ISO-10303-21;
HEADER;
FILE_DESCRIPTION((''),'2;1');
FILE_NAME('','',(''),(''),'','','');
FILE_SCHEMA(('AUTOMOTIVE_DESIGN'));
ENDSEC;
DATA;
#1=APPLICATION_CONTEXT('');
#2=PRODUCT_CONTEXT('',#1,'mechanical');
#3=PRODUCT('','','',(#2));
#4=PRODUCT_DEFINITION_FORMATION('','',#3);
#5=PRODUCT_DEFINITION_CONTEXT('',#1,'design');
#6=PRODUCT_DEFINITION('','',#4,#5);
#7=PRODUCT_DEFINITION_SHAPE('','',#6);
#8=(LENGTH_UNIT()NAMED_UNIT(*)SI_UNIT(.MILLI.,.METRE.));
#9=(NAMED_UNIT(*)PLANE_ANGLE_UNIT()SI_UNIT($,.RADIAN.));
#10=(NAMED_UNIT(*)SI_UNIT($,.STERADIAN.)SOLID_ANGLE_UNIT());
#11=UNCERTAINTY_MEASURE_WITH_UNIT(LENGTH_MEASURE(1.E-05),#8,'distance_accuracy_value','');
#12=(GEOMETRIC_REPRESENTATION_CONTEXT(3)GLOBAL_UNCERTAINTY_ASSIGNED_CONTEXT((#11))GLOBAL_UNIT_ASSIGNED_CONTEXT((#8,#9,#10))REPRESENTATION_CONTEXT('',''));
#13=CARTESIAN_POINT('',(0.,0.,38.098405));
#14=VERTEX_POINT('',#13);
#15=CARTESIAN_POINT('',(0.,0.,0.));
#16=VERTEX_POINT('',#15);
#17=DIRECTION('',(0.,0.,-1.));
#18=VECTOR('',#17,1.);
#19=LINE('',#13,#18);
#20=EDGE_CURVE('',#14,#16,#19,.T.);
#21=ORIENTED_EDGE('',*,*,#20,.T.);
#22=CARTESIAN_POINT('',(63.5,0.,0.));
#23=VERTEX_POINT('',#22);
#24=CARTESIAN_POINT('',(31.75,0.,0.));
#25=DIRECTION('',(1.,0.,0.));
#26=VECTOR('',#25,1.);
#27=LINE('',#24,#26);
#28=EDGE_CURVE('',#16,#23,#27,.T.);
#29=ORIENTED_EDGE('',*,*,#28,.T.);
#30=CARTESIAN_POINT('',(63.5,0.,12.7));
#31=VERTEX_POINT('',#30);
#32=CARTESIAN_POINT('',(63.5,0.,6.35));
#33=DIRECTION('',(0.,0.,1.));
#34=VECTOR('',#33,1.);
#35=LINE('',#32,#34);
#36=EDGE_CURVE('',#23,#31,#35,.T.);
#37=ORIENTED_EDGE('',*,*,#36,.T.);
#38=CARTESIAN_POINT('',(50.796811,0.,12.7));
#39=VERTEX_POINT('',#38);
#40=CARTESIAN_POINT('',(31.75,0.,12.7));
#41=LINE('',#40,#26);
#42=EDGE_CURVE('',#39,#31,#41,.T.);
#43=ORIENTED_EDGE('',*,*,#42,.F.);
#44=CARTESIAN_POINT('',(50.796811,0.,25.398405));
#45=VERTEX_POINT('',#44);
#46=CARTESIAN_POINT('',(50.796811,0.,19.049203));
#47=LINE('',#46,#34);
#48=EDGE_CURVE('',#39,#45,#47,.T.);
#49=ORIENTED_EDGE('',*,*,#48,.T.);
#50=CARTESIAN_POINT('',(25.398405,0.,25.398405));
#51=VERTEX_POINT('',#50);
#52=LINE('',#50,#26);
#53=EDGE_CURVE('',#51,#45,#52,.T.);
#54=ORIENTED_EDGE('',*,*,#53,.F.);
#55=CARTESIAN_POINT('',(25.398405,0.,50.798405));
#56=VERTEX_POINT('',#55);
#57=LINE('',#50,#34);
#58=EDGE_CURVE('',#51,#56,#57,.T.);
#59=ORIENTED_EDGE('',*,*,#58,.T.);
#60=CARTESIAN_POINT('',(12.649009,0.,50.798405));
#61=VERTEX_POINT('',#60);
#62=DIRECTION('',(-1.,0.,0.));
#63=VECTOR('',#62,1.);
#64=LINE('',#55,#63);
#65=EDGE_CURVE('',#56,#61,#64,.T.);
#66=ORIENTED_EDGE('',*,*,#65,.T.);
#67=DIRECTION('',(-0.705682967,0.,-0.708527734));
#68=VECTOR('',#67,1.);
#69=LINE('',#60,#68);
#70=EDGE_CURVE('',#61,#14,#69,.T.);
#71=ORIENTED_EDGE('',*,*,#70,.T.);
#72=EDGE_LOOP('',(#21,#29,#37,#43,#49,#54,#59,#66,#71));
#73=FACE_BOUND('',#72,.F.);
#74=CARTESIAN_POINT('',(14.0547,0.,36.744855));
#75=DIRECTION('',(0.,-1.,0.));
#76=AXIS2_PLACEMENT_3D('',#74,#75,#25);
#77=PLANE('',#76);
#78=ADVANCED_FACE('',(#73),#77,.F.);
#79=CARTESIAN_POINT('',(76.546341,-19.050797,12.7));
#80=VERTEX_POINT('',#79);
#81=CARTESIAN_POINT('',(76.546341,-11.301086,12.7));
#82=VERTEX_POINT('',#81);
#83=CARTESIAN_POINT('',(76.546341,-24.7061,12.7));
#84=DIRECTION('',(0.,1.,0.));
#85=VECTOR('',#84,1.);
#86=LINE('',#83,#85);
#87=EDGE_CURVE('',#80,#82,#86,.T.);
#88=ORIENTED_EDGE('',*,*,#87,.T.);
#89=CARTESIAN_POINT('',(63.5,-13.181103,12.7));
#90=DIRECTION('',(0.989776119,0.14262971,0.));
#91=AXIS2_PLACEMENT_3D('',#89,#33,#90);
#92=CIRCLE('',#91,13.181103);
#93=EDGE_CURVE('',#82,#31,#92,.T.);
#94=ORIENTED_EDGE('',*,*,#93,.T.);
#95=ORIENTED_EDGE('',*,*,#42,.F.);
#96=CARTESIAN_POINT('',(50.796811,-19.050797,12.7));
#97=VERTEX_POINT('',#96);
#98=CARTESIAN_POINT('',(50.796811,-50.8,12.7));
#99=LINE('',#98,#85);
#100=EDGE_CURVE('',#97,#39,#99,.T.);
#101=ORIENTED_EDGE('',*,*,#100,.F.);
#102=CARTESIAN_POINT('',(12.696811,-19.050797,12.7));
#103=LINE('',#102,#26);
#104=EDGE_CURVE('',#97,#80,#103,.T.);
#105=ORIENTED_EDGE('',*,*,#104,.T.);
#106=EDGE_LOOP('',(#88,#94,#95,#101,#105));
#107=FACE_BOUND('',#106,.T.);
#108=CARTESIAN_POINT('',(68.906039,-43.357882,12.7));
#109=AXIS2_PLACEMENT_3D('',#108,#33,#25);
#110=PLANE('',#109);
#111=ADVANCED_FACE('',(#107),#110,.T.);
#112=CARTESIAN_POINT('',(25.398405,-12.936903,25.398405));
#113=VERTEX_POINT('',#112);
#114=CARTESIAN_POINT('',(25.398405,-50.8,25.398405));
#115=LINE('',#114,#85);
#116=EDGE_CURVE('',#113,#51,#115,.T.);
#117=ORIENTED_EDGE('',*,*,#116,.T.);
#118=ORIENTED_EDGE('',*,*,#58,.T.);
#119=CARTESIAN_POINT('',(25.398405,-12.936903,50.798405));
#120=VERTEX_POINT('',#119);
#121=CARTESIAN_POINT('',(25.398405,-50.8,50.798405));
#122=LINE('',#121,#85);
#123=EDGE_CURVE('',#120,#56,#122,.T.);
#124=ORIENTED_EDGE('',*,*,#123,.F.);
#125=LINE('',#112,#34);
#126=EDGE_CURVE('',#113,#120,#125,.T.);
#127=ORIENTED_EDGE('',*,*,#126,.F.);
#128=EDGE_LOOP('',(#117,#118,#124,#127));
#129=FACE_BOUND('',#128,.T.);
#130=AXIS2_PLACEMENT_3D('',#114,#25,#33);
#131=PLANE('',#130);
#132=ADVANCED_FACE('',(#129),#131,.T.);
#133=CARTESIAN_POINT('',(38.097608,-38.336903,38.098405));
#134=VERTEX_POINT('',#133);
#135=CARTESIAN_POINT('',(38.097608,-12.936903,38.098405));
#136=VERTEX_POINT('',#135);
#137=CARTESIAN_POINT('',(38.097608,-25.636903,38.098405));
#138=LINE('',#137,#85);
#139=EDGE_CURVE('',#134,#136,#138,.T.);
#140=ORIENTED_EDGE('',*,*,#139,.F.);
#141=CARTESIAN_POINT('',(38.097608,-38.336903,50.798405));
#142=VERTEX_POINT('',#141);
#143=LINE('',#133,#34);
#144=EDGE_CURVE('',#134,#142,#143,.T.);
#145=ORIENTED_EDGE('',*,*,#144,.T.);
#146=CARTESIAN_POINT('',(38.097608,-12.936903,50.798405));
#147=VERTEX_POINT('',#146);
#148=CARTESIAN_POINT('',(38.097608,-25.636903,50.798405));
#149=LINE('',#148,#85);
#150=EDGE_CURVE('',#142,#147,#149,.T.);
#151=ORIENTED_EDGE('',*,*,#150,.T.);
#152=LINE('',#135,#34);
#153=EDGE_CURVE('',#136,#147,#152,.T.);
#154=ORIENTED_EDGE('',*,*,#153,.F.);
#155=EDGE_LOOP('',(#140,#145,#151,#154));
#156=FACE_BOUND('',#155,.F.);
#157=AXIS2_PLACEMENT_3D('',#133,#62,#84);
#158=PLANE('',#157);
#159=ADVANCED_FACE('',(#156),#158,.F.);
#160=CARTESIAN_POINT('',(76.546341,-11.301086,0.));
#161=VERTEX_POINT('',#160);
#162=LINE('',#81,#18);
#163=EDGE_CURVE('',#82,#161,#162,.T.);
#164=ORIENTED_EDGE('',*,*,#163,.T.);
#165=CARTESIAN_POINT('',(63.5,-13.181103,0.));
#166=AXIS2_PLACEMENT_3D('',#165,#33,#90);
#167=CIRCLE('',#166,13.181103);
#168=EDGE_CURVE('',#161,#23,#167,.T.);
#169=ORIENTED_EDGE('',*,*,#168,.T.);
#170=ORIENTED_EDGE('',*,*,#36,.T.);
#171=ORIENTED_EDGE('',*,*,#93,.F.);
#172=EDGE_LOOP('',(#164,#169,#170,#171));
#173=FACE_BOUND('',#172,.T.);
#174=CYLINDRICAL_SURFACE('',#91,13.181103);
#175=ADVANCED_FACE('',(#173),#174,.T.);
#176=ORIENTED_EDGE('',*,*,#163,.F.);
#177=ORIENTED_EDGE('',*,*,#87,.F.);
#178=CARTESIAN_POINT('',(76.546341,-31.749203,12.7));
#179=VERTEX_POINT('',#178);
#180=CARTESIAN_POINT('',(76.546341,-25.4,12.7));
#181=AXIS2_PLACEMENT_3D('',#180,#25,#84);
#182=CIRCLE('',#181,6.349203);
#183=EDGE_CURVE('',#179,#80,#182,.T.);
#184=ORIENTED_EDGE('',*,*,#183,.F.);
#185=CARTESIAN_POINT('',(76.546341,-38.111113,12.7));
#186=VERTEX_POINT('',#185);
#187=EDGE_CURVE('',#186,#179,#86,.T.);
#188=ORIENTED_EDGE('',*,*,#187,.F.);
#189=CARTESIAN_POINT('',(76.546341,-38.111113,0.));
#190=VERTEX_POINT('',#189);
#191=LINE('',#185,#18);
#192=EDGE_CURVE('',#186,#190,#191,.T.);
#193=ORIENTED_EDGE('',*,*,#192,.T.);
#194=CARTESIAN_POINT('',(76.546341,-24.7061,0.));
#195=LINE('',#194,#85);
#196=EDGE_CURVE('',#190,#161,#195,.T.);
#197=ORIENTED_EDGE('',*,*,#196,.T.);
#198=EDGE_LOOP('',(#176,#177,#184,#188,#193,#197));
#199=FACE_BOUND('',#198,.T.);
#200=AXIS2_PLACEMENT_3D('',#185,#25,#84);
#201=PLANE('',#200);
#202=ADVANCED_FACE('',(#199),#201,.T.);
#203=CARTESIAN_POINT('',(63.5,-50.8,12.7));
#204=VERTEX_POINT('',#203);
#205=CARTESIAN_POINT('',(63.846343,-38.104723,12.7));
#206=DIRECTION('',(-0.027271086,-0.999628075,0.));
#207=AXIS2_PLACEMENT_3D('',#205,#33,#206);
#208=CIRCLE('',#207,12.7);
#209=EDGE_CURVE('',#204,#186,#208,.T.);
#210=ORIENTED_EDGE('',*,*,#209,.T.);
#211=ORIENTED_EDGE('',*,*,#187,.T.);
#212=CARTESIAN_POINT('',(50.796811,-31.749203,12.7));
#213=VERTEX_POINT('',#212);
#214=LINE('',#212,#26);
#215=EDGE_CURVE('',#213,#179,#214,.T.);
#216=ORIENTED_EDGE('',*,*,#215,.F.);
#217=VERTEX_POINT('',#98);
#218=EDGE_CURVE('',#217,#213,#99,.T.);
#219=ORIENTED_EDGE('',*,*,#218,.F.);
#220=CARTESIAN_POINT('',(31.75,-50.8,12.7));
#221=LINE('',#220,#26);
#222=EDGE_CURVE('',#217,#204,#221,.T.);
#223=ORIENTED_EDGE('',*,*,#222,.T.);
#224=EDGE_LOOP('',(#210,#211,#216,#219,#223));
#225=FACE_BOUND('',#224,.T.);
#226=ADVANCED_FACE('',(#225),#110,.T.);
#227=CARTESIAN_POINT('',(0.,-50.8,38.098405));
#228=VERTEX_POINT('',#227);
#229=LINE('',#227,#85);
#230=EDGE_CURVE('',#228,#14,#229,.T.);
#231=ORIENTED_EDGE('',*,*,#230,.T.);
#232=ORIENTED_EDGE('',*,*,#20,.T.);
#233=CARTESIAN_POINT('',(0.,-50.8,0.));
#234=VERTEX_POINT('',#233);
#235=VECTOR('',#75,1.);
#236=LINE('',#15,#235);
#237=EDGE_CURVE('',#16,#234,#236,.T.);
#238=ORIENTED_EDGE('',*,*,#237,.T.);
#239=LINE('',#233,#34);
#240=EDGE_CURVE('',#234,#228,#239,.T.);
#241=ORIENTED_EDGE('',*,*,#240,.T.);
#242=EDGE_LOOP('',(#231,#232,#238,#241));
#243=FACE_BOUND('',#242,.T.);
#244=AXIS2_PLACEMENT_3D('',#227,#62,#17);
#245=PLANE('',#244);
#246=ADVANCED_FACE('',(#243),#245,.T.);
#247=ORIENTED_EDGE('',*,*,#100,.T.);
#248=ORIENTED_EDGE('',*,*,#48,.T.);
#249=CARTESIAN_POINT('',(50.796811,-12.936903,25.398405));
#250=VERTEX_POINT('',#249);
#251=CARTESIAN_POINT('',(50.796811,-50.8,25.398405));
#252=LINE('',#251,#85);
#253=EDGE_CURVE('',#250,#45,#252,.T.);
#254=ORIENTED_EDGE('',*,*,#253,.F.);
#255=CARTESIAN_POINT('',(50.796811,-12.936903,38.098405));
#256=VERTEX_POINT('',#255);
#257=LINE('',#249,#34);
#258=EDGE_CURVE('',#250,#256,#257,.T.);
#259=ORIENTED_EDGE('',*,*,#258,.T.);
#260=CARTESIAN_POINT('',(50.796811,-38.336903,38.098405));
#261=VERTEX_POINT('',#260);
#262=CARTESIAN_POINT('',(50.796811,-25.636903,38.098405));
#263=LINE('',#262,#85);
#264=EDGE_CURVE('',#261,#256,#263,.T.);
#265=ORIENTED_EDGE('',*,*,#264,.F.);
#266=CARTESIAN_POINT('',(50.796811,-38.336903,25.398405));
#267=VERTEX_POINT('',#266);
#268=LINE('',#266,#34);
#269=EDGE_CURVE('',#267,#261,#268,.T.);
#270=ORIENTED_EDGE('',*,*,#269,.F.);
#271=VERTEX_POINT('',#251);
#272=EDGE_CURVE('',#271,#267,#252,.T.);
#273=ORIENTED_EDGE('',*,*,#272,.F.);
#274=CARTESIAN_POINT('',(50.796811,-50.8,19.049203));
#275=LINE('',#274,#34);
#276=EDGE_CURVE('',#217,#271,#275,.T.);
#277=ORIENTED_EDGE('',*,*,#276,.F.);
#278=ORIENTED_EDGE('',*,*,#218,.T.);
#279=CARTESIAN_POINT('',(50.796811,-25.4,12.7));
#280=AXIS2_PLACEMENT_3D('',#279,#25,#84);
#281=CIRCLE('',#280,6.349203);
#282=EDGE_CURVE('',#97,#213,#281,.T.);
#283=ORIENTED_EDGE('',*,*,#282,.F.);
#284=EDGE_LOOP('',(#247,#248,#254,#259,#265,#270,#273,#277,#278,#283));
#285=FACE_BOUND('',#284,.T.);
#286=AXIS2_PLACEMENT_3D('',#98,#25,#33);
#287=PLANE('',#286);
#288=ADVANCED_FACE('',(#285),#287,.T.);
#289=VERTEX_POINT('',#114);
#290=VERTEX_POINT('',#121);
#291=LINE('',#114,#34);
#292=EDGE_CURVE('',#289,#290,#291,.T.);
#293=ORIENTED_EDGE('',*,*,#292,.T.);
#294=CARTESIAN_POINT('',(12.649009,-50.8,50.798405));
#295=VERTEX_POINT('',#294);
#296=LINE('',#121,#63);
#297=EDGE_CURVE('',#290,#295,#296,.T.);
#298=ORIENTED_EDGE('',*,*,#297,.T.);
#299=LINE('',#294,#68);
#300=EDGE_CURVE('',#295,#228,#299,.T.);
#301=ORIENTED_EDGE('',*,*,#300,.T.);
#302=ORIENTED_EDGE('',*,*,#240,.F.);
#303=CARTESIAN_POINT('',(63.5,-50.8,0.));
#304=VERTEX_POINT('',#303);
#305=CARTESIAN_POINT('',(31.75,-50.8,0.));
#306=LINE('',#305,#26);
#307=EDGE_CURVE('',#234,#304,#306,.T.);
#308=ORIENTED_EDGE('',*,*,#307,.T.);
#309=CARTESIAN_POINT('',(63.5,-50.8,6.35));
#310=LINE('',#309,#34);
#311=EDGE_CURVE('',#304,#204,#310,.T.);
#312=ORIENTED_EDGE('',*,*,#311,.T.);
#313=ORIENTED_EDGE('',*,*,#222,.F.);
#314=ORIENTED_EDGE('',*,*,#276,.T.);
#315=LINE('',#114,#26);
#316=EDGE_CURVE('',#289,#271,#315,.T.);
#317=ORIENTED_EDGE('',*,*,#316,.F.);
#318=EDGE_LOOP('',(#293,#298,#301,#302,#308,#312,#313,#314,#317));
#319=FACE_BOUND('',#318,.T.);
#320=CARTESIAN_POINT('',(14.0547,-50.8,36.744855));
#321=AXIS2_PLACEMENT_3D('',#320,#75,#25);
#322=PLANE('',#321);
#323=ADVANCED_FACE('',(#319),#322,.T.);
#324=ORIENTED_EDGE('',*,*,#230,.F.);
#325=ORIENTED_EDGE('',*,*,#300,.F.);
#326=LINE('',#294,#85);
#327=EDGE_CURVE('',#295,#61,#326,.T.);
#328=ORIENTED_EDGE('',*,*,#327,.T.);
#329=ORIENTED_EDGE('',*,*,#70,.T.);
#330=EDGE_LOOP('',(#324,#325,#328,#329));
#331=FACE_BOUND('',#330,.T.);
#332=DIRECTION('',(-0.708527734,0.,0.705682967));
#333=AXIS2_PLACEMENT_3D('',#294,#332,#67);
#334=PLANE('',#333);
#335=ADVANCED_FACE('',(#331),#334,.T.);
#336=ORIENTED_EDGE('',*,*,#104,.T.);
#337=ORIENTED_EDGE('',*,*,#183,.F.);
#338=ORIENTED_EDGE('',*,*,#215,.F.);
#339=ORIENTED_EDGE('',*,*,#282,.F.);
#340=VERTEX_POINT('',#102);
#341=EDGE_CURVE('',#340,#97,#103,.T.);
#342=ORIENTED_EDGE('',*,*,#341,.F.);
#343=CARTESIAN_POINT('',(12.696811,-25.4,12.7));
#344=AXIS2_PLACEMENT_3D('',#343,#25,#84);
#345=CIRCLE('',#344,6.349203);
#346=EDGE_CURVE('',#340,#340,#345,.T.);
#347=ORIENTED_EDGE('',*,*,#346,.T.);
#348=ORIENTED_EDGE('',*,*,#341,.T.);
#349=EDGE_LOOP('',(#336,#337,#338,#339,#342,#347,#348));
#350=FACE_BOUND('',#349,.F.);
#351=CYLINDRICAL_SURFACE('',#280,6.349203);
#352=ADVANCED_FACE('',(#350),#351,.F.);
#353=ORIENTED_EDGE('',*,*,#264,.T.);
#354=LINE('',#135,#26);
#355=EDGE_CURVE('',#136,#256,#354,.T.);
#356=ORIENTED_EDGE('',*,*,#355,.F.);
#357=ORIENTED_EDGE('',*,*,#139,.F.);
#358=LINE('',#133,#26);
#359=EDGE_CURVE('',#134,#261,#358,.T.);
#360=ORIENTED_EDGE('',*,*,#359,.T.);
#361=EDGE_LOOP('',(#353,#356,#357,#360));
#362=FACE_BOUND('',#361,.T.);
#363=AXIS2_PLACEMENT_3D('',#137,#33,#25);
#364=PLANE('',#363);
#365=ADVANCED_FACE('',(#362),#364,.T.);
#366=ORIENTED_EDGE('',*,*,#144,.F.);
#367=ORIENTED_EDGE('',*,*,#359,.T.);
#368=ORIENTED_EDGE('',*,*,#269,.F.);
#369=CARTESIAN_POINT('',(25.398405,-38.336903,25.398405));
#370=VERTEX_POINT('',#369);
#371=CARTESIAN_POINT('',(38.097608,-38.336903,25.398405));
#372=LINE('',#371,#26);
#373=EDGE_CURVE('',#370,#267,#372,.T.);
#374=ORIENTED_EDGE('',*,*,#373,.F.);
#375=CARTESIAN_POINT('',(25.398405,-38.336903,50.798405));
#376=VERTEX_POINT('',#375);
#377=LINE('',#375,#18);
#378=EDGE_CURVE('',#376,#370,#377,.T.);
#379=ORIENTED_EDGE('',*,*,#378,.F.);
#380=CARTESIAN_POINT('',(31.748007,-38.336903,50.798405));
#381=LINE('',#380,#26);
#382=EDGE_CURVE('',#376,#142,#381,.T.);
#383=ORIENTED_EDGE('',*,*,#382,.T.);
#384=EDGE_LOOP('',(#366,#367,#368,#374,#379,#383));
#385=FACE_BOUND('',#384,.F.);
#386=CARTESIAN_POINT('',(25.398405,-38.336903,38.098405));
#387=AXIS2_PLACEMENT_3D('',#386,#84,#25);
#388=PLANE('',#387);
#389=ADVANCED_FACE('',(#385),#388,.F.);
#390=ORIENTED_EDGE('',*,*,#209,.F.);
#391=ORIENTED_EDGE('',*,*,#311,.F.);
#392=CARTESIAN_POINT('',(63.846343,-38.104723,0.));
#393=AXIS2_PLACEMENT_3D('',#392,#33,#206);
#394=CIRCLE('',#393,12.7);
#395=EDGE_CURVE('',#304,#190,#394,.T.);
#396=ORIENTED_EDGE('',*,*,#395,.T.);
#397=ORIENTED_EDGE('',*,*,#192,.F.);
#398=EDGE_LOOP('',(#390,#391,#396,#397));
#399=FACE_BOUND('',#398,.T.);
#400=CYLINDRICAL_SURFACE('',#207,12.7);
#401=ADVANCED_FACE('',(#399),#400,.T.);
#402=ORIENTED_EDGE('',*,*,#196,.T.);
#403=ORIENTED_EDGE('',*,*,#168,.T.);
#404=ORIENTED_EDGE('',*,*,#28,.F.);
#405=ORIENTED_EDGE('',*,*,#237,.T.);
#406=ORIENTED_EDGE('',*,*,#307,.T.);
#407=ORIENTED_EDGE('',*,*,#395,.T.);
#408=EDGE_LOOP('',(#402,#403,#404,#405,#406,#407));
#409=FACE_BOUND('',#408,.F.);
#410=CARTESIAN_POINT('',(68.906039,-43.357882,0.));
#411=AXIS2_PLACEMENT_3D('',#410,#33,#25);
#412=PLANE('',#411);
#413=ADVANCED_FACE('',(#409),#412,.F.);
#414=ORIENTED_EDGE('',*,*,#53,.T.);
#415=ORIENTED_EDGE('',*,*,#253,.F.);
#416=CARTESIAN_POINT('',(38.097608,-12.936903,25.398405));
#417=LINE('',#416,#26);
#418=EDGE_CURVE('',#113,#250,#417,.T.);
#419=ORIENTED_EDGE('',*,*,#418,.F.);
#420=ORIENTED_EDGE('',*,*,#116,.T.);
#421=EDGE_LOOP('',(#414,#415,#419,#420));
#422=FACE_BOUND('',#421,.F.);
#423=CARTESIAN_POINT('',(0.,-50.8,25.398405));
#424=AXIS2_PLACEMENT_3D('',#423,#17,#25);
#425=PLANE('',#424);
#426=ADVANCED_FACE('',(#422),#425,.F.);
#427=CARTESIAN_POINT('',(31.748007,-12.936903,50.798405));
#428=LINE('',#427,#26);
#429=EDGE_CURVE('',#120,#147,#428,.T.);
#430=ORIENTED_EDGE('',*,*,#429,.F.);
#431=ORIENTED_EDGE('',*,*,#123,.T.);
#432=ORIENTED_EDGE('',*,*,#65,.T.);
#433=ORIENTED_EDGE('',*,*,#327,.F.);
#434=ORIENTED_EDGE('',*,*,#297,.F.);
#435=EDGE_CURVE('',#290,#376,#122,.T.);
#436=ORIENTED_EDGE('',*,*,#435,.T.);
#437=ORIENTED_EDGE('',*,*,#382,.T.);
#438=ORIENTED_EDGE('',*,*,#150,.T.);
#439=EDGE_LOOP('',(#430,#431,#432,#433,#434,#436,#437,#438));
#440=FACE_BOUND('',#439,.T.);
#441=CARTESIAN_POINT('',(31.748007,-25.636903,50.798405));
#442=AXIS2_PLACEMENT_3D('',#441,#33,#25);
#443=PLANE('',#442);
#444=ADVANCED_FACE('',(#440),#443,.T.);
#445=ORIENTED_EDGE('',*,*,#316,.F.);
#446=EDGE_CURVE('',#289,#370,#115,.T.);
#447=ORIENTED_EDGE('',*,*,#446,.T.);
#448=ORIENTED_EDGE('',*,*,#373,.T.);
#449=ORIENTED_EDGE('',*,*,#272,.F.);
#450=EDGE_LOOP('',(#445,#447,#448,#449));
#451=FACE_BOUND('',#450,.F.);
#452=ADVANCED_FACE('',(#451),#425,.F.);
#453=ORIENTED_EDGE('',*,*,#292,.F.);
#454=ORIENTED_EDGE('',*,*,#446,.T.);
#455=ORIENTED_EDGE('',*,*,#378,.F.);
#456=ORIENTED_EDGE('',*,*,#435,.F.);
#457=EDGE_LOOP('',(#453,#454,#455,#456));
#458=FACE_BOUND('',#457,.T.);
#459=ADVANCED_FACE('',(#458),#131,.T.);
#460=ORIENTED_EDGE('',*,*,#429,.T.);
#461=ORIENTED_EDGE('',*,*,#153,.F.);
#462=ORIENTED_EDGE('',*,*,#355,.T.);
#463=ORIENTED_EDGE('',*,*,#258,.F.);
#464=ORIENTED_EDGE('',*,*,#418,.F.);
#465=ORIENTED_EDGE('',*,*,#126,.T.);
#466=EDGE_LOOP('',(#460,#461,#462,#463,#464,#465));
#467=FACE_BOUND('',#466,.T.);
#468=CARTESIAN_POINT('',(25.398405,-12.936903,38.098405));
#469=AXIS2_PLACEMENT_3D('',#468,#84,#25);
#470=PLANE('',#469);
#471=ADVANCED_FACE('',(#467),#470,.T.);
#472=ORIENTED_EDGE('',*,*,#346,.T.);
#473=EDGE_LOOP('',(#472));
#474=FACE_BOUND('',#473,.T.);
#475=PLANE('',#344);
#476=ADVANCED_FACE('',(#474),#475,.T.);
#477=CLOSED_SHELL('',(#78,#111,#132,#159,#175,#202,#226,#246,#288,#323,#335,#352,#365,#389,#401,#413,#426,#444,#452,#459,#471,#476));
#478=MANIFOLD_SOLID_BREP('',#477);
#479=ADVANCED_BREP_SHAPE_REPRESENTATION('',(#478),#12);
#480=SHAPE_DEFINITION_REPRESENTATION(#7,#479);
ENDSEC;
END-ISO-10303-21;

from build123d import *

# Parameters (mm, degrees)
F0_W      = 63.5
F0_H      = 12.7
F1_DEPTH  = 50.8
F2_W      = 50.7968105376
F2_H      = 12.6984052688
F3_DEPTH  = 50.8
F5_DEPTH  = 50.8
F6_W      = 25.3984052688
F6_H      = 25.4
F7_DEPTH  = 12.7
F8_W      = 12.6992026344
F8_H      = 25.4
F9_DEPTH  = 12.7
F10_W     = 13.0463411808
F10_H     = 26.8100267276
F11_DEPTH = 12.7
F13_DEPTH = 12.7
F15_DEPTH = 12.7
F16_R     = 6.3492026344
F17_DEPTH = 38.1


with BuildPart() as f1:
    # F0 (on Front) → F1 (new body)
    with BuildSketch(Plane.XZ):
        with Locations((31.75, 6.35)):
            Rectangle(F0_W, F0_H)
    extrude(amount=F1_DEPTH)

    # F2 (on face) → F3 (join)
    with BuildSketch(Plane.XZ.offset(50.8)):
        with Locations((25.3984052688, 19.0492026344)):
            Rectangle(F2_W, F2_H)
    extrude(amount=-F3_DEPTH)

    # F4 (on face) → F5 (join)
    with BuildSketch(Plane.XZ.offset(50.8)):
        Polygon((0, 38.0984052688), (0, 25.3984052688), (25.3984052688, 25.3984052688), (25.3984052688, 50.7984052688), (12.6490090042, 50.7984052688), align=None)
    extrude(amount=-F5_DEPTH)

    # F6 (on face) → F7 (join)
    with BuildSketch(Plane.XY.offset(25.3984052688)):
        with Locations((38.0976079032, -25.6369028568)):
            Rectangle(F6_W, F6_H)
    extrude(amount=F7_DEPTH)

    # F8 (on face) → F9 (join)
    with BuildSketch(Plane.XY.offset(38.0984052688)):
        with Locations((31.748006586, -25.6369028568)):
            Rectangle(F8_W, F8_H)
    extrude(amount=F9_DEPTH)

    # F10 (on face) → F11 (join)
    with BuildSketch(Plane.XY.offset(12.7)):
        with Locations((70.0231705904, -24.706099648)):
            Rectangle(F10_W, F10_H)
    extrude(amount=-F11_DEPTH)

    # F12 (on face) → F13 (join)
    with BuildSketch(Plane.XY.offset(12.7)):
        with BuildLine():
            Line((63.5, -11.3010862842), (76.5463411808, -11.3010862842))
            ThreePointArc((76.5463411808, -11.3010862842), (72.1302023355, -3.2181172377), (63.5, 0))
            Line((63.5, 0), (63.5, -11.3010862842))
        make_face()
    extrude(amount=-F13_DEPTH)

    # F14 (on face) → F15 (join)
    with BuildSketch(Plane.XY.offset(12.7)):
        with BuildLine():
            Line((63.5, -38.1111130118), (63.5, -50.8))
            ThreePointArc((63.5, -50.8), (72.7010118925, -47.2088343378), (76.5463411808, -38.1111130118))
            Line((76.5463411808, -38.1111130118), (63.5, -38.1111130118))
        make_face()
    extrude(amount=-F15_DEPTH)

    # F16 (on face) → F17 (cut, symmetric)
    with BuildSketch(Plane.YZ.offset(50.7968105376)):
        with Locations((-25.4, 12.7)):
            Circle(F16_R)
    extrude(amount=F17_DEPTH, both=True, mode=Mode.SUBTRACT)


solid = f1.part
